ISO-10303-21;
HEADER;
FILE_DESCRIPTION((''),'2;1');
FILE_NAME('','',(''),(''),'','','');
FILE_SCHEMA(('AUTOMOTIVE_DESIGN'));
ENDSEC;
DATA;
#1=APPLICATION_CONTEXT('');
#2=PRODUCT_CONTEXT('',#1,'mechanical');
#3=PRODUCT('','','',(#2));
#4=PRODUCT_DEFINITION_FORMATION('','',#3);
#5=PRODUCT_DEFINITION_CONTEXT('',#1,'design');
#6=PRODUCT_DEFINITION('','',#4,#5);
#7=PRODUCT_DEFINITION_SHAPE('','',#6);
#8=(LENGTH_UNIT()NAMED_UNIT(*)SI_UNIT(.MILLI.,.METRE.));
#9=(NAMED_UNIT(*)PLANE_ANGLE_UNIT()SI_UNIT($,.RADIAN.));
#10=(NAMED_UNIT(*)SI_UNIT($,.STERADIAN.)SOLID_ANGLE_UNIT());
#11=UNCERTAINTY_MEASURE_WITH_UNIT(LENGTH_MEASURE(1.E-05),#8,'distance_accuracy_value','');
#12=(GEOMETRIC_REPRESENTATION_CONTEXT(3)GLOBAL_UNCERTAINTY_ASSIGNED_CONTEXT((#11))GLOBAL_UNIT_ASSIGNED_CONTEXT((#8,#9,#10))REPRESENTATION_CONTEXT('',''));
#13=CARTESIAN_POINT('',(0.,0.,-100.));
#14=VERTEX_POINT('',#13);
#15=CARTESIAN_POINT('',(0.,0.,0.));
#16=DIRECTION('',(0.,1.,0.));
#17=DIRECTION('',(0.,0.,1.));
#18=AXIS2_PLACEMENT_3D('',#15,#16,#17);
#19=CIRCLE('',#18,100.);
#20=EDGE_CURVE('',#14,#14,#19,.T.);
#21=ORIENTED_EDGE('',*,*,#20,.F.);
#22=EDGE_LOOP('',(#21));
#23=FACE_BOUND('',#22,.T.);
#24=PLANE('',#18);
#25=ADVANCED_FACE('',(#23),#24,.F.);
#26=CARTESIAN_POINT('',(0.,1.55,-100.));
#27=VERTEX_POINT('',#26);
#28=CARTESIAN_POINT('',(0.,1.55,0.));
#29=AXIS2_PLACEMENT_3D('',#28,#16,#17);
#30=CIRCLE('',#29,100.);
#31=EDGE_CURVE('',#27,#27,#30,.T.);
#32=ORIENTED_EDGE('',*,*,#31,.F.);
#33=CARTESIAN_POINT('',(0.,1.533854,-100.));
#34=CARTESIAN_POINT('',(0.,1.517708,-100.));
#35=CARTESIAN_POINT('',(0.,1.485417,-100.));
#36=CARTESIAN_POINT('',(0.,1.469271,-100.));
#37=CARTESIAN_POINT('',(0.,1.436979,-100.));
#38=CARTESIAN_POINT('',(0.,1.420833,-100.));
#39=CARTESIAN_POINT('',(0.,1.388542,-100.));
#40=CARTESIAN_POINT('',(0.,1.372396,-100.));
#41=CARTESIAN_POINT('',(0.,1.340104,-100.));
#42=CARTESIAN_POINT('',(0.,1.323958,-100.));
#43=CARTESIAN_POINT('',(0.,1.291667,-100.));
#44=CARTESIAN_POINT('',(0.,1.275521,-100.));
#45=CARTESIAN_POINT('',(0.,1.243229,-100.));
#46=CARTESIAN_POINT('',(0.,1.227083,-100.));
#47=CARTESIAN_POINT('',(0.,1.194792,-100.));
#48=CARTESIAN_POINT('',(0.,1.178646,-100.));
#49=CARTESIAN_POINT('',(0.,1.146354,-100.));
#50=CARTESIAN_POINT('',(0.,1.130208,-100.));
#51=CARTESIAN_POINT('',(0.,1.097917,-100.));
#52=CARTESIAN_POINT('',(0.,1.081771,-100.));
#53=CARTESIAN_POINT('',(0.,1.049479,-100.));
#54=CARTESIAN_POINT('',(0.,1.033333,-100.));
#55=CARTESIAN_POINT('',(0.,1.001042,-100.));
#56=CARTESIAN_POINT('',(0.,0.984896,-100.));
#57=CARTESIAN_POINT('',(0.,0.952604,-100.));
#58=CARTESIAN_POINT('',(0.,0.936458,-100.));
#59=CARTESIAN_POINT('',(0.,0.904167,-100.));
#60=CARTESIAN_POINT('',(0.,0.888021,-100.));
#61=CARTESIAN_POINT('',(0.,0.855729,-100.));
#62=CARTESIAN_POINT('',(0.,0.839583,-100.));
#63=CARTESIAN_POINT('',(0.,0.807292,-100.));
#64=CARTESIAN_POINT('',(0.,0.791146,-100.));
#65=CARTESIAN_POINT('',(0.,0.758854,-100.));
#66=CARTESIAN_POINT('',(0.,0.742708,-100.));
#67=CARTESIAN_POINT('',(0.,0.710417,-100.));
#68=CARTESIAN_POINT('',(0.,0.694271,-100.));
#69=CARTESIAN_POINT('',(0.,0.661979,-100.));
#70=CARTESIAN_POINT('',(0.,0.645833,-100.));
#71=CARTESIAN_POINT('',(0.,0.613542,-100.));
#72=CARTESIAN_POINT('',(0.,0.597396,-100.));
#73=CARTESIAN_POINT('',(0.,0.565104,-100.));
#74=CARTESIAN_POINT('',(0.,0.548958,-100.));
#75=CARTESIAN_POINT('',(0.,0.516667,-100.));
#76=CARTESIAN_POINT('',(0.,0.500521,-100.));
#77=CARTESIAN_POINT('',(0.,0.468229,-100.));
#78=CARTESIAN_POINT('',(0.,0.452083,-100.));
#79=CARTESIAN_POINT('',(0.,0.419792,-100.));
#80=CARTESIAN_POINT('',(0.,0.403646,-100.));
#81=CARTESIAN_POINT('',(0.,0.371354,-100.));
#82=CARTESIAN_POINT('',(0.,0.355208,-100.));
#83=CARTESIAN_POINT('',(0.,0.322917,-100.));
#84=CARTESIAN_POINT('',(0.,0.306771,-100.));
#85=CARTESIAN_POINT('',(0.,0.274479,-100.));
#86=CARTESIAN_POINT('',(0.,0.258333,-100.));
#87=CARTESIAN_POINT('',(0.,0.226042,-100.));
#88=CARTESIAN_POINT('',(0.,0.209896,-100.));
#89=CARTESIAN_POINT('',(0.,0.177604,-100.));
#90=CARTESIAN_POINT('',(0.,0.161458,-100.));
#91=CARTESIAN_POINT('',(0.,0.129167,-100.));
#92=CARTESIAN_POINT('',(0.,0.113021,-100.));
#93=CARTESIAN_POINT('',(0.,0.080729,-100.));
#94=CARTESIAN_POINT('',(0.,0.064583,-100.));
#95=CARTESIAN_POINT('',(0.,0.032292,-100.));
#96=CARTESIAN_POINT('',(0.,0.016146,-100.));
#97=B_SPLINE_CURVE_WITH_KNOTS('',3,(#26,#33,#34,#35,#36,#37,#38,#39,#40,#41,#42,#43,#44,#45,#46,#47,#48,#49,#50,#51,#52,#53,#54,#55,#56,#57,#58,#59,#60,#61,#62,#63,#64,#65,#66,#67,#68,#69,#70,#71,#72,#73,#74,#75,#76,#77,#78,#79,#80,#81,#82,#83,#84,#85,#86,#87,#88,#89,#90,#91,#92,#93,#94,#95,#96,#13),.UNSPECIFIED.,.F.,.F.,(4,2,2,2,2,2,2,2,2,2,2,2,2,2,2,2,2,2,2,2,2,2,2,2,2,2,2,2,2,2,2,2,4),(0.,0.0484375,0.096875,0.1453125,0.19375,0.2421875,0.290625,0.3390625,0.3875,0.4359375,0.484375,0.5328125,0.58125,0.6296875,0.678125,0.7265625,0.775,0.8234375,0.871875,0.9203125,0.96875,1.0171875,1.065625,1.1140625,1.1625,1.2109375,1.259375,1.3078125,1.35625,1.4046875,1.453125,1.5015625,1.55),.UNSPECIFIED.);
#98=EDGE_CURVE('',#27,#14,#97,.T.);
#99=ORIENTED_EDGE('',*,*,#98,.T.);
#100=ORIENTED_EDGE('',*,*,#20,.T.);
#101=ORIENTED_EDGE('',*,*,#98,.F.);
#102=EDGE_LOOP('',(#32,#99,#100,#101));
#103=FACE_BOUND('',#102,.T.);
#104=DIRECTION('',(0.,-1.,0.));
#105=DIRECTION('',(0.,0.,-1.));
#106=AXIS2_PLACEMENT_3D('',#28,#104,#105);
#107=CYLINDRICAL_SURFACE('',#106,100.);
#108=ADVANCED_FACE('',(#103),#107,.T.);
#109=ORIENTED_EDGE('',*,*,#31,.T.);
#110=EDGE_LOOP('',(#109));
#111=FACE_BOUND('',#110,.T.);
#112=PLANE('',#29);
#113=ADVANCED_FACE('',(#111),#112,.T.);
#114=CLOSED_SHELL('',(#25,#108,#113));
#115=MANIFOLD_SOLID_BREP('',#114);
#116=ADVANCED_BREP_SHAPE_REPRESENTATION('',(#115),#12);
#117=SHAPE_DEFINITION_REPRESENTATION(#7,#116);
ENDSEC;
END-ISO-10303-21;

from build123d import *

# Parameters (mm, degrees)
ESQUISSE1_R        = 100
BOSS_EXTRU_1_DEPTH = 1.55


with BuildPart() as part:
    # Esquisse1 → Boss.-Extru.1 (new body)
    with BuildSketch(Plane(origin=(0, 0, 0), x_dir=(1, 0, 0), z_dir=(0, 1, 0))):
        with Locations(Location((0, 0, 0), (0, 0, 90))):
            Circle(ESQUISSE1_R)
    extrude(amount=BOSS_EXTRU_1_DEPTH)


solid = part.part
